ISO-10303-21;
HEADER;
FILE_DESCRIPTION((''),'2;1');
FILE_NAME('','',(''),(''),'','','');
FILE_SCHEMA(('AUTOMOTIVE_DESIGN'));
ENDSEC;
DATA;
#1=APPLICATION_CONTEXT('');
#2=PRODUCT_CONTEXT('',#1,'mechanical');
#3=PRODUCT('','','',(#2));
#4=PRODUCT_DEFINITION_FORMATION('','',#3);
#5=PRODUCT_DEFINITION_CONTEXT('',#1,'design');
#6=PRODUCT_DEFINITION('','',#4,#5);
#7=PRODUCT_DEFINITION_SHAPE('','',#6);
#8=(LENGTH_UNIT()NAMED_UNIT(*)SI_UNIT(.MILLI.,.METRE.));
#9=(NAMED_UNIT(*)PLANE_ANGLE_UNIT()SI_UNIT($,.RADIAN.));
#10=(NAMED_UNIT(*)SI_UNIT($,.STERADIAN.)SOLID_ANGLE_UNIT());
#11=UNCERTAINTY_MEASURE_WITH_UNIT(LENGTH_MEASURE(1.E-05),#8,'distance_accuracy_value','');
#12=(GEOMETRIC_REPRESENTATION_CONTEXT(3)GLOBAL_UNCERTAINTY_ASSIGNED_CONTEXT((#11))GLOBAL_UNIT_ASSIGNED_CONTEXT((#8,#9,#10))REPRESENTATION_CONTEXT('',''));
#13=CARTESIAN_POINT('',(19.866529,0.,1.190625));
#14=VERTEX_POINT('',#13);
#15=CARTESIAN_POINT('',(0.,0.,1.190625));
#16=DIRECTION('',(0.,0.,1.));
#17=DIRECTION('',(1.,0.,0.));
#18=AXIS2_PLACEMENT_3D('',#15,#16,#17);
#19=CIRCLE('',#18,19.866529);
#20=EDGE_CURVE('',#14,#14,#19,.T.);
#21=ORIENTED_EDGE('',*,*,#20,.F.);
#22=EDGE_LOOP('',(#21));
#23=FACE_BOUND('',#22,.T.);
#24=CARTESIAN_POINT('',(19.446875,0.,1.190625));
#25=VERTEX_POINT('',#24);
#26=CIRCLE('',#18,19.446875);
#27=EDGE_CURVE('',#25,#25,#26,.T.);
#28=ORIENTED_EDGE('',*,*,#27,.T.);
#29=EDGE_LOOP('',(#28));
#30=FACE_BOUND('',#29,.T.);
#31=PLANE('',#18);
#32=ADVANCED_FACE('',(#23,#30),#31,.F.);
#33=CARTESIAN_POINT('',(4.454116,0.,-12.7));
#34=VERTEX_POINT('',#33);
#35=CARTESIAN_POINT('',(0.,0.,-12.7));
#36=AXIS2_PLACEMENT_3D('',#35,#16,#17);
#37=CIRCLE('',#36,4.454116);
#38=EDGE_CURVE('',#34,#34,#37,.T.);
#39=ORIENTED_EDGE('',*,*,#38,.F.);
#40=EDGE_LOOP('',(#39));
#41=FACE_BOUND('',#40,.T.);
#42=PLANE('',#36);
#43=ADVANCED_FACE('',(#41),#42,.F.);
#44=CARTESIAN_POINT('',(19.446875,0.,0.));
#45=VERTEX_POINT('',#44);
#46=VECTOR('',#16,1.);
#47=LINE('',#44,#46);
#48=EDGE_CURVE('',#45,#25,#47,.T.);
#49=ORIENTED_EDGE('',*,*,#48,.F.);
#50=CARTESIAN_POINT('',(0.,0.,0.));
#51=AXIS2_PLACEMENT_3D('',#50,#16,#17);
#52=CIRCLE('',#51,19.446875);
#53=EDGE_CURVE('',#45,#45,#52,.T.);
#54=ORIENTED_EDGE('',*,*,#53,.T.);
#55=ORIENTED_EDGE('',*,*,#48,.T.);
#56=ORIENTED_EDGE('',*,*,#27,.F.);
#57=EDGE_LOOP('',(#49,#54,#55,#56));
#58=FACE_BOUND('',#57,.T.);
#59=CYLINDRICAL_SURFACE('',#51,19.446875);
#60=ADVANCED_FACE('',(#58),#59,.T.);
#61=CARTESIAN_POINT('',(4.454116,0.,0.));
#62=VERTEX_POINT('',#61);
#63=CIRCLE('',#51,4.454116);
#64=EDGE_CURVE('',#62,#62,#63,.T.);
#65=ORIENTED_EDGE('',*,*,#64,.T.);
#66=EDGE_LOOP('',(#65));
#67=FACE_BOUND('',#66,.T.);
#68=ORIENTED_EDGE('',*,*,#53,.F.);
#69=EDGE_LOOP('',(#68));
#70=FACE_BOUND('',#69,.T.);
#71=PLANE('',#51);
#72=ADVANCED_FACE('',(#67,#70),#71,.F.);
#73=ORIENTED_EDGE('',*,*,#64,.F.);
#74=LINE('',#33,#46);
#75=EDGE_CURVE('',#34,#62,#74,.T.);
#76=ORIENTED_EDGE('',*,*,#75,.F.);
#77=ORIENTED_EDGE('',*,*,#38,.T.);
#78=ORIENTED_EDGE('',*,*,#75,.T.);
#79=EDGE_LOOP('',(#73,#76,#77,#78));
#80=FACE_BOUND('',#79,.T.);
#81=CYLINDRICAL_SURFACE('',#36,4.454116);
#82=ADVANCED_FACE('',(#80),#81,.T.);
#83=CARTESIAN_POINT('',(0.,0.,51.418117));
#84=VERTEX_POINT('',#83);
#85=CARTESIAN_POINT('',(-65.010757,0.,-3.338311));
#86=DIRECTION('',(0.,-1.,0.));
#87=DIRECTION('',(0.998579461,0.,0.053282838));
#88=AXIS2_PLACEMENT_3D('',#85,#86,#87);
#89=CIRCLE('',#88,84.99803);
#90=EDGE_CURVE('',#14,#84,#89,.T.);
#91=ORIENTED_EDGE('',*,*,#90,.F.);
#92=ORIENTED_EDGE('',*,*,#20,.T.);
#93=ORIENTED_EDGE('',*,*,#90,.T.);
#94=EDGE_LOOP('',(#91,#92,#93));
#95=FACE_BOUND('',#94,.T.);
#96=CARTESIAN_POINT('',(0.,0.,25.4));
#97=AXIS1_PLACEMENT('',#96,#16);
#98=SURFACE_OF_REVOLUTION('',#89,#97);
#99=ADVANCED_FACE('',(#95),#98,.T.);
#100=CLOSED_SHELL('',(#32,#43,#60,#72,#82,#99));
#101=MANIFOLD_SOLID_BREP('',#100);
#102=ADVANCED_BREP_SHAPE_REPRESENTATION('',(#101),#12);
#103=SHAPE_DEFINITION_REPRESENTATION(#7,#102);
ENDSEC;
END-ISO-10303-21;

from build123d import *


with BuildPart() as f1:
    # F0 (on Front) → F1 (revolve)
    with BuildSketch(Plane.XZ):
        with BuildLine():
            Line((0, 50.8), (0, 0))
            Line((0, 0), (0, -12.7))
            Line((0, -12.7), (4.454116, -12.7))
            Line((4.454116, -12.7), (4.454116, 0))
            Line((4.454116, 0), (19.05, 0))
            Line((19.05, 0), (19.446875, 0))
            Line((19.446875, 0), (19.446875, 1.190625))
            Line((19.446875, 1.190625), (19.866529, 1.190625))
            ThreePointArc((19.866529, 1.190625), (14.029148, 27.92442), (0, 51.418117))
            Line((0, 51.418117), (0, 50.8))
        make_face()
    revolve(axis=Axis((0, 0, 25.4), (0, 0, 1)))


solid = f1.part
